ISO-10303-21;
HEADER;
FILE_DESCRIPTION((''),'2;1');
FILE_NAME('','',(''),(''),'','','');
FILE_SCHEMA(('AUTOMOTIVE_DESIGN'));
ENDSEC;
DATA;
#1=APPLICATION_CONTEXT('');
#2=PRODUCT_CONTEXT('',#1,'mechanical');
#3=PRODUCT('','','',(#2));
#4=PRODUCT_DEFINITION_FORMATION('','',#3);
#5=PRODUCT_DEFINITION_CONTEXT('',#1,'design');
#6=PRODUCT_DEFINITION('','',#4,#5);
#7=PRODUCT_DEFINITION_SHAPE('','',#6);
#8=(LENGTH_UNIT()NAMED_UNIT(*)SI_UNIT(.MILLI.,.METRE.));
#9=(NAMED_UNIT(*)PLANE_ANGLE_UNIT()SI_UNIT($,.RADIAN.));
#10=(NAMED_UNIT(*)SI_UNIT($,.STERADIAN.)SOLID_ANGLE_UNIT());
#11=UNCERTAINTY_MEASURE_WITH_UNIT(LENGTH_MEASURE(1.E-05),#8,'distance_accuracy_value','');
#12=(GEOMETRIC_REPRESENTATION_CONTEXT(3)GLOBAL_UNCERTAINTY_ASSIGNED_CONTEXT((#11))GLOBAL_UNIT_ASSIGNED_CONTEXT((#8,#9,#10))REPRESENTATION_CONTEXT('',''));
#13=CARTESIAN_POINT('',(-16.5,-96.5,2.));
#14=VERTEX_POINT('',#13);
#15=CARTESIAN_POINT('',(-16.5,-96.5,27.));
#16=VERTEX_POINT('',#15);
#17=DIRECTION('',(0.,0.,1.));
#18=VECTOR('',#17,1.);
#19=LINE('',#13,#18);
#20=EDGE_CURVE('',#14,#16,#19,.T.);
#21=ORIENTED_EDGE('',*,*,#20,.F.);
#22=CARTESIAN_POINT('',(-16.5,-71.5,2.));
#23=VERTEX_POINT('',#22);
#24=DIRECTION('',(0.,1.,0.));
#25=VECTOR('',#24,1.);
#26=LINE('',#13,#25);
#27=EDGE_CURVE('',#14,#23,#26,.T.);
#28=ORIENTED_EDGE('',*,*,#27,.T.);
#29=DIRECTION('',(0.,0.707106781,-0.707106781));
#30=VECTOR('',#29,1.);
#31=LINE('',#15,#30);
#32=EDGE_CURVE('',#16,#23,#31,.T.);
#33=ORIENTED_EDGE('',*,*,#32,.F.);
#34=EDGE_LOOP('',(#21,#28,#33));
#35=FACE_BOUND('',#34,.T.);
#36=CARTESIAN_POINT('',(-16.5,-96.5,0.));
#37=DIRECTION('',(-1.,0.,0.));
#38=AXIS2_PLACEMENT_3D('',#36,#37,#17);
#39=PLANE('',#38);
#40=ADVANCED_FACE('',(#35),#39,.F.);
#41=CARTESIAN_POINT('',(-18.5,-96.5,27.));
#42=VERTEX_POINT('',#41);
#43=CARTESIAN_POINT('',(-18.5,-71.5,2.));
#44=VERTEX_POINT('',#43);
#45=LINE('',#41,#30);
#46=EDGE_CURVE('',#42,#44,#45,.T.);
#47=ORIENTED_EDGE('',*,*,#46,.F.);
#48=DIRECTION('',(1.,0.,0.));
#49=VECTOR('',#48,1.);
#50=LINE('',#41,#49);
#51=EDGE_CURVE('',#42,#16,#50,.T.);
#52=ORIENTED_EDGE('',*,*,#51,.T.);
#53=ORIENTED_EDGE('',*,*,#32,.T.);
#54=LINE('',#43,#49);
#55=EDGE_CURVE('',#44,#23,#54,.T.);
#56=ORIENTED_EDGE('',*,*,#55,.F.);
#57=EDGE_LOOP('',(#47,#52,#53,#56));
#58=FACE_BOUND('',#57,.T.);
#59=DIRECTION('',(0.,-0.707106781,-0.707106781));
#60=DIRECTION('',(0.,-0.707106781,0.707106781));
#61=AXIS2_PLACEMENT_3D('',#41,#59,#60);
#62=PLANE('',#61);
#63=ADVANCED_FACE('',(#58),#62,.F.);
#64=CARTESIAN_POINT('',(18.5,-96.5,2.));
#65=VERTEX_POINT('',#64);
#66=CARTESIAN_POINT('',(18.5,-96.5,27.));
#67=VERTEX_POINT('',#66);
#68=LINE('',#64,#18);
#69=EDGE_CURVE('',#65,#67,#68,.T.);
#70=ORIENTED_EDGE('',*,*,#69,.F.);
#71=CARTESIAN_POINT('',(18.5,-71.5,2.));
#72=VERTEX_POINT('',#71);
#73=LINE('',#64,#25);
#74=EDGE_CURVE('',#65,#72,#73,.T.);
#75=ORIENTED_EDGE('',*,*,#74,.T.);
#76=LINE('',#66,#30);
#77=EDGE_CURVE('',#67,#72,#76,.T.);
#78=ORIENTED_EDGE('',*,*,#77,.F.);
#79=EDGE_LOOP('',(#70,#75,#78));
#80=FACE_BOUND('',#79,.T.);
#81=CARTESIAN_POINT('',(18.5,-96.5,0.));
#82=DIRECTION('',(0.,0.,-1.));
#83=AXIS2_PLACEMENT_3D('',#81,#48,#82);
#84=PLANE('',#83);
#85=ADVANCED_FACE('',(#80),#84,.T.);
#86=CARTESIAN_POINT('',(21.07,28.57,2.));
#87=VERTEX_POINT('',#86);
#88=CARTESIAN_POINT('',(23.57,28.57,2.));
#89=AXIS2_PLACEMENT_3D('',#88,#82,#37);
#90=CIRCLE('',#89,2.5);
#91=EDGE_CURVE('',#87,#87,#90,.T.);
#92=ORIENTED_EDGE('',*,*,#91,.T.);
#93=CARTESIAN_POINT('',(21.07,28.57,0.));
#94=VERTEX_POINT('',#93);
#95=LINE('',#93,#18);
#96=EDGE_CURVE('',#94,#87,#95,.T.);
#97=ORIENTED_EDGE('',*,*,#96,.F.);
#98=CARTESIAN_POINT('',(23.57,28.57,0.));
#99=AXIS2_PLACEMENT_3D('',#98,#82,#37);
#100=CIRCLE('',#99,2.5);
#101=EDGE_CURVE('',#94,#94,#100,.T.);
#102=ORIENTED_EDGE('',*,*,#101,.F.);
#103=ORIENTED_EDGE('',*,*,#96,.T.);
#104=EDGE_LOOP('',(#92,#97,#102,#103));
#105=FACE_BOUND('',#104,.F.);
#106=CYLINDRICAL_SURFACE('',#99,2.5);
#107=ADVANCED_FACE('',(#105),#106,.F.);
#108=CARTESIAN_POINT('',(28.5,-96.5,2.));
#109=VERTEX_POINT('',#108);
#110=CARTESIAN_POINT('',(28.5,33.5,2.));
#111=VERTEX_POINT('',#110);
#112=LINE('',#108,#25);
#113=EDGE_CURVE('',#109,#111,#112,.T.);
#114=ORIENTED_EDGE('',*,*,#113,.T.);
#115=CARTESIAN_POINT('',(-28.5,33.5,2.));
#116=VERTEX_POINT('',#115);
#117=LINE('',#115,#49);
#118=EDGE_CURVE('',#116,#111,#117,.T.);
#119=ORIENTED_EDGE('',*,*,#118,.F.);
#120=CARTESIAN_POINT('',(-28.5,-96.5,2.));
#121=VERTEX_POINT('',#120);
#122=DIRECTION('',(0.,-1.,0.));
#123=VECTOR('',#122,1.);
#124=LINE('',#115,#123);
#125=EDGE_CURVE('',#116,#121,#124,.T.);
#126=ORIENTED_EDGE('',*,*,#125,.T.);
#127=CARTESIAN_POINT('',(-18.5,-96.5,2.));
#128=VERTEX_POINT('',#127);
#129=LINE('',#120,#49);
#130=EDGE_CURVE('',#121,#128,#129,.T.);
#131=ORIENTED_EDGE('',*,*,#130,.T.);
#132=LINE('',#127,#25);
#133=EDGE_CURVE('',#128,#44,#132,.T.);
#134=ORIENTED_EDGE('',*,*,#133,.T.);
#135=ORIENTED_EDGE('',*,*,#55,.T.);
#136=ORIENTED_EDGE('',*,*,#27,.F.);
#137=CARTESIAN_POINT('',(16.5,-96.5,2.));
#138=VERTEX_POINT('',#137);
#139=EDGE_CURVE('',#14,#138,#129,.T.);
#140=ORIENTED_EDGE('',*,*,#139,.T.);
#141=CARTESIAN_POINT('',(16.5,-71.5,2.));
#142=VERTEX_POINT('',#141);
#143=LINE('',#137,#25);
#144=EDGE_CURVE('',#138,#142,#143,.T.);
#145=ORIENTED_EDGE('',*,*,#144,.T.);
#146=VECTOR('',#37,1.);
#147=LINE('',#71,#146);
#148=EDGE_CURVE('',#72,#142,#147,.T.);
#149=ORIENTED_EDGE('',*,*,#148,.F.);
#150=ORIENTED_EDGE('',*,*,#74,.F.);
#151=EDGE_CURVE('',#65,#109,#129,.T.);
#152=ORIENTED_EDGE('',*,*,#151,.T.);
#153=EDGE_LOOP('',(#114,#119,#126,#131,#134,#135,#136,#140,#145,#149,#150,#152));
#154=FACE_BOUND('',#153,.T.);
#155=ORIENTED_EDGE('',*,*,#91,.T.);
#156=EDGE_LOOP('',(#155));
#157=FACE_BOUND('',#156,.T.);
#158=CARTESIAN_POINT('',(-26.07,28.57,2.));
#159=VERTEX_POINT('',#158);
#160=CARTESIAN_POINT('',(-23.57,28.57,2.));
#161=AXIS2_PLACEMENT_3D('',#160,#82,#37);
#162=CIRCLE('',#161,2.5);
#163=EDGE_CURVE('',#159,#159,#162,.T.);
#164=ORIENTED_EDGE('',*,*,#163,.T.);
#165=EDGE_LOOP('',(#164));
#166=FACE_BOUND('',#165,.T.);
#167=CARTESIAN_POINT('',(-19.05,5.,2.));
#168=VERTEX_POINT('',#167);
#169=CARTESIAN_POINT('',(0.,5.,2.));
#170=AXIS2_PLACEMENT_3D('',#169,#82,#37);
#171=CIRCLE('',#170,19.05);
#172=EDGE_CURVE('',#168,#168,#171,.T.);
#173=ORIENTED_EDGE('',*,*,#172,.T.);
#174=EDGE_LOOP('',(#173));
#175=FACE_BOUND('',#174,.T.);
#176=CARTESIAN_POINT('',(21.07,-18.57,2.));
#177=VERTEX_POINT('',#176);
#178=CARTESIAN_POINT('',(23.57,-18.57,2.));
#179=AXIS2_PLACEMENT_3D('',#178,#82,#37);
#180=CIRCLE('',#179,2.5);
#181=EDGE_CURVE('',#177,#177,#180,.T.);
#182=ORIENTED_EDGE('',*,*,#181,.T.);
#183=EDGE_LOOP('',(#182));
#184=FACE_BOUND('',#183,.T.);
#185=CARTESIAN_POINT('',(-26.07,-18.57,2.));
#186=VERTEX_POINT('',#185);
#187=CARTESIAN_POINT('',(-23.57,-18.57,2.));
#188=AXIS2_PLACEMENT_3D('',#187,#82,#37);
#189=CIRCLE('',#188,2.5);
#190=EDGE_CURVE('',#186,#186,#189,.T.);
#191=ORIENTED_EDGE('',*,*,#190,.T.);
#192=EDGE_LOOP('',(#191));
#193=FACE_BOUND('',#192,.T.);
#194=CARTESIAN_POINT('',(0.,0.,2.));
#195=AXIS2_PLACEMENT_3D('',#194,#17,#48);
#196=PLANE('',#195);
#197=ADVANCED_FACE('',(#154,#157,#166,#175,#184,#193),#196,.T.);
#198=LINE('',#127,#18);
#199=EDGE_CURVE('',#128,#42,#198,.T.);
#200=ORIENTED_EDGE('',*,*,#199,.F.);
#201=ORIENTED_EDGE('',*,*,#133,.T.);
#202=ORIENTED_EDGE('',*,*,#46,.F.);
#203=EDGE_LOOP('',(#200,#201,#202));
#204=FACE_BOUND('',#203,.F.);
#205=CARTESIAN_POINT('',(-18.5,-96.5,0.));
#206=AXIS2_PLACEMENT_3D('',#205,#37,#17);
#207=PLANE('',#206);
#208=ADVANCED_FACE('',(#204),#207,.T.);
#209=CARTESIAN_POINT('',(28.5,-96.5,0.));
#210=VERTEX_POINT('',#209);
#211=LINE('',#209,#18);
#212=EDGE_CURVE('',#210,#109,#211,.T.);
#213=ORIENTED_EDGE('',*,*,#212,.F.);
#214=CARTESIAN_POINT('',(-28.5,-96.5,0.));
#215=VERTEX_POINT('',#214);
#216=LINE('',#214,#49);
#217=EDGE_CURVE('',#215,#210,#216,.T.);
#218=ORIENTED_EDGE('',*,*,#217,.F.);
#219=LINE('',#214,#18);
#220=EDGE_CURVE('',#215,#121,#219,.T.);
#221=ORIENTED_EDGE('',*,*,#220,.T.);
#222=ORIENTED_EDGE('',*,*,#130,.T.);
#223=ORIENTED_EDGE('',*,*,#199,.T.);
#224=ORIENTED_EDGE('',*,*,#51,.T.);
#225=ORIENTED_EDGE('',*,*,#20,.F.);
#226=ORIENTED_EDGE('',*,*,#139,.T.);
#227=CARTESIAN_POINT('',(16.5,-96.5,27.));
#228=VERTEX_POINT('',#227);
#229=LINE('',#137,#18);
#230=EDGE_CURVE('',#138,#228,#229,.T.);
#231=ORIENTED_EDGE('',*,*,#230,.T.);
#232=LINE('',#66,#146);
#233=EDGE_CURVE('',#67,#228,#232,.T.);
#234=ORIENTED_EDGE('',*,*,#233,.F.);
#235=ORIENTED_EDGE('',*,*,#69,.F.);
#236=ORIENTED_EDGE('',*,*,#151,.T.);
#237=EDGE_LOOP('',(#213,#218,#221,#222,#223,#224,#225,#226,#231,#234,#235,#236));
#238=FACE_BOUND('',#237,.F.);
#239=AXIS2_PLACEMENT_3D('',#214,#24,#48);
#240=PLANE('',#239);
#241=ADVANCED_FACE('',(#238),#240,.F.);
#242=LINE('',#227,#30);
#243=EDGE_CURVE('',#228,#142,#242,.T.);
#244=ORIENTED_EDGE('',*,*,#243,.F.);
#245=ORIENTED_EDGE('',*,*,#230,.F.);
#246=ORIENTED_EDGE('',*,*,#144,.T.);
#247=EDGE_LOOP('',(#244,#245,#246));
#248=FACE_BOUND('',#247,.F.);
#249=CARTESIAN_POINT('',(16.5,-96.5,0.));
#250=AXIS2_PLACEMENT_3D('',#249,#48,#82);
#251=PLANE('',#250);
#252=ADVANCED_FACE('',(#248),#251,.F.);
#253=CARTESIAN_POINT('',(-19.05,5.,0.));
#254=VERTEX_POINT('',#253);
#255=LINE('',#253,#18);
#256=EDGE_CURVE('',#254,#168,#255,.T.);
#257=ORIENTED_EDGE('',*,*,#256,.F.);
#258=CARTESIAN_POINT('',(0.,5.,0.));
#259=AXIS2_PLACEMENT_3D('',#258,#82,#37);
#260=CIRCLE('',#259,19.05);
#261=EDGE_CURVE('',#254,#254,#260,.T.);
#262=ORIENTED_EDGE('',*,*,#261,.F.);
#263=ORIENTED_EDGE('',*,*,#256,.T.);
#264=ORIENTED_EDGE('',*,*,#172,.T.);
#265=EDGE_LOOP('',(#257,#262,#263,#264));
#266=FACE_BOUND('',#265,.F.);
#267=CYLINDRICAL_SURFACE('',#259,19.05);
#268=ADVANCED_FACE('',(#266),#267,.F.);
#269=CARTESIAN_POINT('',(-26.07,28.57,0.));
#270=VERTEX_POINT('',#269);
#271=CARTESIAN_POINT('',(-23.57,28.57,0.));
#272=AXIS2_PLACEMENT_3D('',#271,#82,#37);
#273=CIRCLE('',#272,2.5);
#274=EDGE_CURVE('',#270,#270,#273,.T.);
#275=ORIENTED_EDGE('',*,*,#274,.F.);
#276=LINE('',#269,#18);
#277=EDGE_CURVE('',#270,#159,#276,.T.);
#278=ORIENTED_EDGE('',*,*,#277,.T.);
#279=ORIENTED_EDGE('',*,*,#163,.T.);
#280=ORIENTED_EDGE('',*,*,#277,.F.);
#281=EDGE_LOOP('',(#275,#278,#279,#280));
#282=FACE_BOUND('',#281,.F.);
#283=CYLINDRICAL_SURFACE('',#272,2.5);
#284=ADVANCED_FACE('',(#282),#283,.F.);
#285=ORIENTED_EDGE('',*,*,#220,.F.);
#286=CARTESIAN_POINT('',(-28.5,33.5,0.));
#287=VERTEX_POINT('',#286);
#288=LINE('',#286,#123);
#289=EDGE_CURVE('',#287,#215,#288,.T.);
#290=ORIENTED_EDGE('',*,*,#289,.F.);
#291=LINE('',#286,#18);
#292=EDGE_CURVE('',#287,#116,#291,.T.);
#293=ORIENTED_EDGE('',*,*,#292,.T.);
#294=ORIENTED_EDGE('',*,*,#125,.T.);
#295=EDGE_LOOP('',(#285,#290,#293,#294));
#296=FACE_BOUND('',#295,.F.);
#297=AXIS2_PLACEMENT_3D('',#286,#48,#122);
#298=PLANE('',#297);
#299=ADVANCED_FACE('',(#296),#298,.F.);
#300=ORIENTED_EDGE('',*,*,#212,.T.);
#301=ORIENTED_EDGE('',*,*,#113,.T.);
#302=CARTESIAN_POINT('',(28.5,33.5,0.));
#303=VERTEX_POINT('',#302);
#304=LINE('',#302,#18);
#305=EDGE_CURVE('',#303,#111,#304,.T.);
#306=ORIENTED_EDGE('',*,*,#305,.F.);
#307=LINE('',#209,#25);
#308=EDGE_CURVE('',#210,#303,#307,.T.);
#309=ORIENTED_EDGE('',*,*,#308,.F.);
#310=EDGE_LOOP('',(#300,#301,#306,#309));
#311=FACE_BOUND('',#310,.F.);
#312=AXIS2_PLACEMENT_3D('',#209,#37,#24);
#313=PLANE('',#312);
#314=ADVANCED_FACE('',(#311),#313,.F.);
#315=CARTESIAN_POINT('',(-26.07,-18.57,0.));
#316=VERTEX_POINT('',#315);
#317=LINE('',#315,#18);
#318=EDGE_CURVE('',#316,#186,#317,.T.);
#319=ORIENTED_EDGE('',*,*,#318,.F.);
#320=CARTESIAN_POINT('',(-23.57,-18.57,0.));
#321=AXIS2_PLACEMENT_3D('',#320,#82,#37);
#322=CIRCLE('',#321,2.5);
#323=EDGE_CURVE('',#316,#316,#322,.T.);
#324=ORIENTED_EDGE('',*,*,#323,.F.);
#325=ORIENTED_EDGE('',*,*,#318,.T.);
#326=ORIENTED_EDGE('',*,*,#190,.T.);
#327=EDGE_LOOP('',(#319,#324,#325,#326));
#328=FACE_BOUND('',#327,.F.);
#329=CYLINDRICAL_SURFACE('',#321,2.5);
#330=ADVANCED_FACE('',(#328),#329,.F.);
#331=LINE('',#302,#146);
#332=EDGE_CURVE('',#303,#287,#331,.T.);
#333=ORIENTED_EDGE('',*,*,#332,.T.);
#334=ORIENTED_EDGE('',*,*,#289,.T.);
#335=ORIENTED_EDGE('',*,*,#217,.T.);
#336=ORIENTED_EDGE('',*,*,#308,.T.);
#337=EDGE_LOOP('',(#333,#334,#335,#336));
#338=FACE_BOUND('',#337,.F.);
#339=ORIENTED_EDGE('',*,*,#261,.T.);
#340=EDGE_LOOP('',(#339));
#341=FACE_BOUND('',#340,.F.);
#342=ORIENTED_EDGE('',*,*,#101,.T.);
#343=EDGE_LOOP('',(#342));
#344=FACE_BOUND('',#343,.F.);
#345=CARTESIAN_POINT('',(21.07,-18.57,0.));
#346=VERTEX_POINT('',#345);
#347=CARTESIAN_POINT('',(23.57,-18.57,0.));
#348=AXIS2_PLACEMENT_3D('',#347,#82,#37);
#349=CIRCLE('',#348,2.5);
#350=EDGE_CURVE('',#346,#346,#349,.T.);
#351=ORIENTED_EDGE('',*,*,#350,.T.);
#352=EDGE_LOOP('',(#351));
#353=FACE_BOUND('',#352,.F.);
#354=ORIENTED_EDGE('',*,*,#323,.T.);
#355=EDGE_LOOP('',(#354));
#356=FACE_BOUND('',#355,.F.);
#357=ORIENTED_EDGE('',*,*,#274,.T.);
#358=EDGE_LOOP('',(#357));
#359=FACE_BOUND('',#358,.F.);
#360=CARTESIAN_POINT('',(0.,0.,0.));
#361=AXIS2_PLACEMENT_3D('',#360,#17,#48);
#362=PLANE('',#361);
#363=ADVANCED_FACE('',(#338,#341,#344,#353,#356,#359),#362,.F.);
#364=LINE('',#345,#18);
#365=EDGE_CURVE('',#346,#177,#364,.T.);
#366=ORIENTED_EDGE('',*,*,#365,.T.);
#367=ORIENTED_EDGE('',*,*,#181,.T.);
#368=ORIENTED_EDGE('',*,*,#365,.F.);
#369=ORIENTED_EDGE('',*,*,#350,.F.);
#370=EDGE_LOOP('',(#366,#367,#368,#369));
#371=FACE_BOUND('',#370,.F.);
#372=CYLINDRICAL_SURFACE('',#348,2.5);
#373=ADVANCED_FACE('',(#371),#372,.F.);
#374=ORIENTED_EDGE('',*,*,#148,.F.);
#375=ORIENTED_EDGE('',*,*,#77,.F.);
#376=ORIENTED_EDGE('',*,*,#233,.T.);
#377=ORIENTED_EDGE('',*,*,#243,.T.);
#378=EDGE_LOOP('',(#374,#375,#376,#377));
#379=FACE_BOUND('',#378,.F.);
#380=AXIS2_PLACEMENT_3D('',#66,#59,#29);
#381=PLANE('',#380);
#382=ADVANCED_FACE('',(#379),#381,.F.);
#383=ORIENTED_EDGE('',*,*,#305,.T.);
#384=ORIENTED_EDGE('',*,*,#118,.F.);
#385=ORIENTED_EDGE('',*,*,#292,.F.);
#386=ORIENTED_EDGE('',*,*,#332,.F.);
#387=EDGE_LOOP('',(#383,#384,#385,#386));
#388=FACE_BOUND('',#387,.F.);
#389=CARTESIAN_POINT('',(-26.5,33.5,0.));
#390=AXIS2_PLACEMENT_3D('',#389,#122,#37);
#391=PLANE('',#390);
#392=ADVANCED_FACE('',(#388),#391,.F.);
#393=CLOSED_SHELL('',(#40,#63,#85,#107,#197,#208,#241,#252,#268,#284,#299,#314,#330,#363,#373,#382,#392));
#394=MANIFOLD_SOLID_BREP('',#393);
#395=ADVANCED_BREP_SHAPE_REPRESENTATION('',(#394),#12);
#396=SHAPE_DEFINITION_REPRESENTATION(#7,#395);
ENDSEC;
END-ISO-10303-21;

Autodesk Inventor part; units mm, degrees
ref_plane "YZ Plane" through (0, 0, 0) normal (1, 0, 0) x (0, 1, 0)
ref_plane "XZ Plane" through (0, 0, 0) normal (0, 1, 0) x (-1, 0, 0)
ref_plane "XY Plane" through (0, 0, 0) normal (0, 0, 1) x (1, 0, 0)
sketch "Szkic1" plane through (0, 0, 0) normal (0, 0, 1) x (1, 0, 0)
  line L0 (-28.5, -96.5) -> (28.5, -96.5)
  line L1 (28.5, -96.5) -> (28.5, 33.5)
  line L2 (28.5, 33.5) -> (-28.5, 33.5)
  line L3 (-28.5, 33.5) -> (-28.5, -96.5)
  line L4 (-28.5, -96.5) -> (28.5, 33.5) construction
  line L5 (28.5, -96.5) -> (-28.5, 33.5) construction
  line L6 (0, -96.5) -> (0, 33.5) construction
  line L7 (-26.5, 33.5) -> (26.5, 33.5) projected
  line L8 (26.5, -23.5) -> (-26.5, -23.5) projected
  line L9 (0, -23.5) -> (0, 33.5) construction
  point P0 (0, -31.5)
  dimension "d0" = 57
  dimension "d1" = 130
extrude "Wyciągnięcie proste1" add sketch "Szkic1" along normal blind 2
sketch "Szkic2" plane through (0, 0, 0) normal (0, 0, -1) x (-1, 0, 0)
  circle A0 centre (0, 5) radius 5 projected
  circle A1 centre (0, 5) radius 19.05 projected
  point P0 (0, 0)
extrude "Wyciągnięcie proste2" cut sketch "Szkic2" against normal blind 10 contours A0 | A1
sketch "Szkic3" plane through (0, 0, 0) normal (0, 0, -1) x (-1, 0, 0)
  circle A0 centre (-23.57, -18.57) radius 2.5 projected
  circle A1 centre (23.57, -18.57) radius 2.5 projected
  circle A2 centre (23.57, 28.57) radius 2.5 projected
  circle A3 centre (-23.57, 28.57) radius 2.5 projected
  point P0 (0, 0)
extrude "Wyciągnięcie proste3" cut sketch "Szkic3" against normal blind 10
ref_plane "Płaszczyzna konstrukcyjna1" through (18.5, -96.5, 0) normal (1, 0, 0) x (0, 0, -1)
sketch "Szkic5" plane through (18.5, -96.5, 0) normal (1, 0, 0) x (0, 0, -1)
  line L0 (-2, 0) -> (-27, 0)
  line L1 (-27, 0) -> (-2, 25)
  line L2 (-2, 0) -> (-2, 25)
  point P0 (0, 66.5)
  dimension "d14" = 25
extrude "Wyciągnięcie proste5" add sketch "Szkic5" against normal blind 2
mirror "Odbicie lustrzane1" about plane through (0, 0, 0) normal (1, 0, 0) of "Wyciągnięcie proste5"
properties part number "stepper_console_large"
